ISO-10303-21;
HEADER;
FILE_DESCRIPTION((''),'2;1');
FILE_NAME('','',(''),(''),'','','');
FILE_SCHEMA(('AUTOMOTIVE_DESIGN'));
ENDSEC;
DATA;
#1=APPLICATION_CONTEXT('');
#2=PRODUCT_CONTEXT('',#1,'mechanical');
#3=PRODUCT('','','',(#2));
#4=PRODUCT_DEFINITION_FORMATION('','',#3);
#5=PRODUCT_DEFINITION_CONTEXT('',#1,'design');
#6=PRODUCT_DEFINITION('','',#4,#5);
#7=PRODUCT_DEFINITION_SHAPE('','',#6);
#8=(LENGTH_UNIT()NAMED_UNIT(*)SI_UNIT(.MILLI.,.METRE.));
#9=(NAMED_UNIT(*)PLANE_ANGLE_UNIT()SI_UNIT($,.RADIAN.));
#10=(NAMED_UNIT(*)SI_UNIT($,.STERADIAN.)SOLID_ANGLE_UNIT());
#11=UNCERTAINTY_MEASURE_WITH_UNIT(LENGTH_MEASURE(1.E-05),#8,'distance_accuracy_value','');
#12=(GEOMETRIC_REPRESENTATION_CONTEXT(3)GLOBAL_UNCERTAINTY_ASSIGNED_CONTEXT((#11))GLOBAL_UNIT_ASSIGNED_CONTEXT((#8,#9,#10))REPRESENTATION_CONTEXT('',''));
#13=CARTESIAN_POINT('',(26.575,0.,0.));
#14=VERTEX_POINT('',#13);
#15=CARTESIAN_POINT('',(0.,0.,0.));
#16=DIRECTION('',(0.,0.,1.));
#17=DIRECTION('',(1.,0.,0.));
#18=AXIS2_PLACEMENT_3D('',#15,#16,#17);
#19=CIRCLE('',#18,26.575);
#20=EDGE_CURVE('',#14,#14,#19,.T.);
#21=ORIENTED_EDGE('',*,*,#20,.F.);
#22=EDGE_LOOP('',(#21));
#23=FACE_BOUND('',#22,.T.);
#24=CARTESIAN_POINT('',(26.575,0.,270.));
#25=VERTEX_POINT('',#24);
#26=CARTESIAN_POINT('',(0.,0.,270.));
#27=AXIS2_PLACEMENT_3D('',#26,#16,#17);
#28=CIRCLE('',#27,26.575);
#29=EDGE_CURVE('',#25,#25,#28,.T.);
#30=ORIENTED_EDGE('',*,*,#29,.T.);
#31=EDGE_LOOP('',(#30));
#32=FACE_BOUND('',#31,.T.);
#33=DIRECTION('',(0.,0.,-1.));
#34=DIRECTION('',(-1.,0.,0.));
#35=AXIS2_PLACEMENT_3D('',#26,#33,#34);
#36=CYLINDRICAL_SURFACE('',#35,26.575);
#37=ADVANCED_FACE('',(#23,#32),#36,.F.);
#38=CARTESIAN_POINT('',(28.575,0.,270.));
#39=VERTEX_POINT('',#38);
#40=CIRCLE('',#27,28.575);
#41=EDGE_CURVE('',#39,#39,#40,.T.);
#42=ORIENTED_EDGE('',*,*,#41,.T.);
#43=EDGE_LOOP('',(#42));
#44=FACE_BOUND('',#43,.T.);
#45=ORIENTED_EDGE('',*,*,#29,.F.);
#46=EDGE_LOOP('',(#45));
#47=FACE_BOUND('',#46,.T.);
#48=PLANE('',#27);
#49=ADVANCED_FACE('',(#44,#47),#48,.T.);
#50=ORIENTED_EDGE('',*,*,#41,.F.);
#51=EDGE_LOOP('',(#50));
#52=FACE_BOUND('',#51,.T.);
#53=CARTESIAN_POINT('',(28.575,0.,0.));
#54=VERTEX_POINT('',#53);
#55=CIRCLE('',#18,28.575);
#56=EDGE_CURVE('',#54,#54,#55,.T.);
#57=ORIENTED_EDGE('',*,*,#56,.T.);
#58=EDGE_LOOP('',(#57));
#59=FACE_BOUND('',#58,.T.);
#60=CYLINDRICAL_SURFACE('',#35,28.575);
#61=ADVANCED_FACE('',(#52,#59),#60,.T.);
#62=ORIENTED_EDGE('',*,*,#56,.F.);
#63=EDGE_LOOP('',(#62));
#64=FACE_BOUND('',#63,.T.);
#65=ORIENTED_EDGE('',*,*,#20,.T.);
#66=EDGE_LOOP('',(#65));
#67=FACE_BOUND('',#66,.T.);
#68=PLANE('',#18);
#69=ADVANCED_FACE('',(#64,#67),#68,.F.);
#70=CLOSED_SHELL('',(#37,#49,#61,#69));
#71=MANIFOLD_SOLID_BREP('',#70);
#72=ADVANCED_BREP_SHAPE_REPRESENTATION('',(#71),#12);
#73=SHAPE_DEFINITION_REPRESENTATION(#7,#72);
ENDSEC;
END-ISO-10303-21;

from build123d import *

# Parameters (mm, degrees)
ESBO_O1_R                = 28.575
ESBO_O1_R_2              = 26.575
RESSALTO_EXTRUS_O1_DEPTH = 270


with BuildPart() as part:
    # Esboço1 → Ressalto-extrusão1 (new body)
    with BuildSketch(Plane.XY):
        Circle(ESBO_O1_R)
        Circle(ESBO_O1_R_2, mode=Mode.SUBTRACT)
    extrude(amount=RESSALTO_EXTRUS_O1_DEPTH)


solid = part.part
